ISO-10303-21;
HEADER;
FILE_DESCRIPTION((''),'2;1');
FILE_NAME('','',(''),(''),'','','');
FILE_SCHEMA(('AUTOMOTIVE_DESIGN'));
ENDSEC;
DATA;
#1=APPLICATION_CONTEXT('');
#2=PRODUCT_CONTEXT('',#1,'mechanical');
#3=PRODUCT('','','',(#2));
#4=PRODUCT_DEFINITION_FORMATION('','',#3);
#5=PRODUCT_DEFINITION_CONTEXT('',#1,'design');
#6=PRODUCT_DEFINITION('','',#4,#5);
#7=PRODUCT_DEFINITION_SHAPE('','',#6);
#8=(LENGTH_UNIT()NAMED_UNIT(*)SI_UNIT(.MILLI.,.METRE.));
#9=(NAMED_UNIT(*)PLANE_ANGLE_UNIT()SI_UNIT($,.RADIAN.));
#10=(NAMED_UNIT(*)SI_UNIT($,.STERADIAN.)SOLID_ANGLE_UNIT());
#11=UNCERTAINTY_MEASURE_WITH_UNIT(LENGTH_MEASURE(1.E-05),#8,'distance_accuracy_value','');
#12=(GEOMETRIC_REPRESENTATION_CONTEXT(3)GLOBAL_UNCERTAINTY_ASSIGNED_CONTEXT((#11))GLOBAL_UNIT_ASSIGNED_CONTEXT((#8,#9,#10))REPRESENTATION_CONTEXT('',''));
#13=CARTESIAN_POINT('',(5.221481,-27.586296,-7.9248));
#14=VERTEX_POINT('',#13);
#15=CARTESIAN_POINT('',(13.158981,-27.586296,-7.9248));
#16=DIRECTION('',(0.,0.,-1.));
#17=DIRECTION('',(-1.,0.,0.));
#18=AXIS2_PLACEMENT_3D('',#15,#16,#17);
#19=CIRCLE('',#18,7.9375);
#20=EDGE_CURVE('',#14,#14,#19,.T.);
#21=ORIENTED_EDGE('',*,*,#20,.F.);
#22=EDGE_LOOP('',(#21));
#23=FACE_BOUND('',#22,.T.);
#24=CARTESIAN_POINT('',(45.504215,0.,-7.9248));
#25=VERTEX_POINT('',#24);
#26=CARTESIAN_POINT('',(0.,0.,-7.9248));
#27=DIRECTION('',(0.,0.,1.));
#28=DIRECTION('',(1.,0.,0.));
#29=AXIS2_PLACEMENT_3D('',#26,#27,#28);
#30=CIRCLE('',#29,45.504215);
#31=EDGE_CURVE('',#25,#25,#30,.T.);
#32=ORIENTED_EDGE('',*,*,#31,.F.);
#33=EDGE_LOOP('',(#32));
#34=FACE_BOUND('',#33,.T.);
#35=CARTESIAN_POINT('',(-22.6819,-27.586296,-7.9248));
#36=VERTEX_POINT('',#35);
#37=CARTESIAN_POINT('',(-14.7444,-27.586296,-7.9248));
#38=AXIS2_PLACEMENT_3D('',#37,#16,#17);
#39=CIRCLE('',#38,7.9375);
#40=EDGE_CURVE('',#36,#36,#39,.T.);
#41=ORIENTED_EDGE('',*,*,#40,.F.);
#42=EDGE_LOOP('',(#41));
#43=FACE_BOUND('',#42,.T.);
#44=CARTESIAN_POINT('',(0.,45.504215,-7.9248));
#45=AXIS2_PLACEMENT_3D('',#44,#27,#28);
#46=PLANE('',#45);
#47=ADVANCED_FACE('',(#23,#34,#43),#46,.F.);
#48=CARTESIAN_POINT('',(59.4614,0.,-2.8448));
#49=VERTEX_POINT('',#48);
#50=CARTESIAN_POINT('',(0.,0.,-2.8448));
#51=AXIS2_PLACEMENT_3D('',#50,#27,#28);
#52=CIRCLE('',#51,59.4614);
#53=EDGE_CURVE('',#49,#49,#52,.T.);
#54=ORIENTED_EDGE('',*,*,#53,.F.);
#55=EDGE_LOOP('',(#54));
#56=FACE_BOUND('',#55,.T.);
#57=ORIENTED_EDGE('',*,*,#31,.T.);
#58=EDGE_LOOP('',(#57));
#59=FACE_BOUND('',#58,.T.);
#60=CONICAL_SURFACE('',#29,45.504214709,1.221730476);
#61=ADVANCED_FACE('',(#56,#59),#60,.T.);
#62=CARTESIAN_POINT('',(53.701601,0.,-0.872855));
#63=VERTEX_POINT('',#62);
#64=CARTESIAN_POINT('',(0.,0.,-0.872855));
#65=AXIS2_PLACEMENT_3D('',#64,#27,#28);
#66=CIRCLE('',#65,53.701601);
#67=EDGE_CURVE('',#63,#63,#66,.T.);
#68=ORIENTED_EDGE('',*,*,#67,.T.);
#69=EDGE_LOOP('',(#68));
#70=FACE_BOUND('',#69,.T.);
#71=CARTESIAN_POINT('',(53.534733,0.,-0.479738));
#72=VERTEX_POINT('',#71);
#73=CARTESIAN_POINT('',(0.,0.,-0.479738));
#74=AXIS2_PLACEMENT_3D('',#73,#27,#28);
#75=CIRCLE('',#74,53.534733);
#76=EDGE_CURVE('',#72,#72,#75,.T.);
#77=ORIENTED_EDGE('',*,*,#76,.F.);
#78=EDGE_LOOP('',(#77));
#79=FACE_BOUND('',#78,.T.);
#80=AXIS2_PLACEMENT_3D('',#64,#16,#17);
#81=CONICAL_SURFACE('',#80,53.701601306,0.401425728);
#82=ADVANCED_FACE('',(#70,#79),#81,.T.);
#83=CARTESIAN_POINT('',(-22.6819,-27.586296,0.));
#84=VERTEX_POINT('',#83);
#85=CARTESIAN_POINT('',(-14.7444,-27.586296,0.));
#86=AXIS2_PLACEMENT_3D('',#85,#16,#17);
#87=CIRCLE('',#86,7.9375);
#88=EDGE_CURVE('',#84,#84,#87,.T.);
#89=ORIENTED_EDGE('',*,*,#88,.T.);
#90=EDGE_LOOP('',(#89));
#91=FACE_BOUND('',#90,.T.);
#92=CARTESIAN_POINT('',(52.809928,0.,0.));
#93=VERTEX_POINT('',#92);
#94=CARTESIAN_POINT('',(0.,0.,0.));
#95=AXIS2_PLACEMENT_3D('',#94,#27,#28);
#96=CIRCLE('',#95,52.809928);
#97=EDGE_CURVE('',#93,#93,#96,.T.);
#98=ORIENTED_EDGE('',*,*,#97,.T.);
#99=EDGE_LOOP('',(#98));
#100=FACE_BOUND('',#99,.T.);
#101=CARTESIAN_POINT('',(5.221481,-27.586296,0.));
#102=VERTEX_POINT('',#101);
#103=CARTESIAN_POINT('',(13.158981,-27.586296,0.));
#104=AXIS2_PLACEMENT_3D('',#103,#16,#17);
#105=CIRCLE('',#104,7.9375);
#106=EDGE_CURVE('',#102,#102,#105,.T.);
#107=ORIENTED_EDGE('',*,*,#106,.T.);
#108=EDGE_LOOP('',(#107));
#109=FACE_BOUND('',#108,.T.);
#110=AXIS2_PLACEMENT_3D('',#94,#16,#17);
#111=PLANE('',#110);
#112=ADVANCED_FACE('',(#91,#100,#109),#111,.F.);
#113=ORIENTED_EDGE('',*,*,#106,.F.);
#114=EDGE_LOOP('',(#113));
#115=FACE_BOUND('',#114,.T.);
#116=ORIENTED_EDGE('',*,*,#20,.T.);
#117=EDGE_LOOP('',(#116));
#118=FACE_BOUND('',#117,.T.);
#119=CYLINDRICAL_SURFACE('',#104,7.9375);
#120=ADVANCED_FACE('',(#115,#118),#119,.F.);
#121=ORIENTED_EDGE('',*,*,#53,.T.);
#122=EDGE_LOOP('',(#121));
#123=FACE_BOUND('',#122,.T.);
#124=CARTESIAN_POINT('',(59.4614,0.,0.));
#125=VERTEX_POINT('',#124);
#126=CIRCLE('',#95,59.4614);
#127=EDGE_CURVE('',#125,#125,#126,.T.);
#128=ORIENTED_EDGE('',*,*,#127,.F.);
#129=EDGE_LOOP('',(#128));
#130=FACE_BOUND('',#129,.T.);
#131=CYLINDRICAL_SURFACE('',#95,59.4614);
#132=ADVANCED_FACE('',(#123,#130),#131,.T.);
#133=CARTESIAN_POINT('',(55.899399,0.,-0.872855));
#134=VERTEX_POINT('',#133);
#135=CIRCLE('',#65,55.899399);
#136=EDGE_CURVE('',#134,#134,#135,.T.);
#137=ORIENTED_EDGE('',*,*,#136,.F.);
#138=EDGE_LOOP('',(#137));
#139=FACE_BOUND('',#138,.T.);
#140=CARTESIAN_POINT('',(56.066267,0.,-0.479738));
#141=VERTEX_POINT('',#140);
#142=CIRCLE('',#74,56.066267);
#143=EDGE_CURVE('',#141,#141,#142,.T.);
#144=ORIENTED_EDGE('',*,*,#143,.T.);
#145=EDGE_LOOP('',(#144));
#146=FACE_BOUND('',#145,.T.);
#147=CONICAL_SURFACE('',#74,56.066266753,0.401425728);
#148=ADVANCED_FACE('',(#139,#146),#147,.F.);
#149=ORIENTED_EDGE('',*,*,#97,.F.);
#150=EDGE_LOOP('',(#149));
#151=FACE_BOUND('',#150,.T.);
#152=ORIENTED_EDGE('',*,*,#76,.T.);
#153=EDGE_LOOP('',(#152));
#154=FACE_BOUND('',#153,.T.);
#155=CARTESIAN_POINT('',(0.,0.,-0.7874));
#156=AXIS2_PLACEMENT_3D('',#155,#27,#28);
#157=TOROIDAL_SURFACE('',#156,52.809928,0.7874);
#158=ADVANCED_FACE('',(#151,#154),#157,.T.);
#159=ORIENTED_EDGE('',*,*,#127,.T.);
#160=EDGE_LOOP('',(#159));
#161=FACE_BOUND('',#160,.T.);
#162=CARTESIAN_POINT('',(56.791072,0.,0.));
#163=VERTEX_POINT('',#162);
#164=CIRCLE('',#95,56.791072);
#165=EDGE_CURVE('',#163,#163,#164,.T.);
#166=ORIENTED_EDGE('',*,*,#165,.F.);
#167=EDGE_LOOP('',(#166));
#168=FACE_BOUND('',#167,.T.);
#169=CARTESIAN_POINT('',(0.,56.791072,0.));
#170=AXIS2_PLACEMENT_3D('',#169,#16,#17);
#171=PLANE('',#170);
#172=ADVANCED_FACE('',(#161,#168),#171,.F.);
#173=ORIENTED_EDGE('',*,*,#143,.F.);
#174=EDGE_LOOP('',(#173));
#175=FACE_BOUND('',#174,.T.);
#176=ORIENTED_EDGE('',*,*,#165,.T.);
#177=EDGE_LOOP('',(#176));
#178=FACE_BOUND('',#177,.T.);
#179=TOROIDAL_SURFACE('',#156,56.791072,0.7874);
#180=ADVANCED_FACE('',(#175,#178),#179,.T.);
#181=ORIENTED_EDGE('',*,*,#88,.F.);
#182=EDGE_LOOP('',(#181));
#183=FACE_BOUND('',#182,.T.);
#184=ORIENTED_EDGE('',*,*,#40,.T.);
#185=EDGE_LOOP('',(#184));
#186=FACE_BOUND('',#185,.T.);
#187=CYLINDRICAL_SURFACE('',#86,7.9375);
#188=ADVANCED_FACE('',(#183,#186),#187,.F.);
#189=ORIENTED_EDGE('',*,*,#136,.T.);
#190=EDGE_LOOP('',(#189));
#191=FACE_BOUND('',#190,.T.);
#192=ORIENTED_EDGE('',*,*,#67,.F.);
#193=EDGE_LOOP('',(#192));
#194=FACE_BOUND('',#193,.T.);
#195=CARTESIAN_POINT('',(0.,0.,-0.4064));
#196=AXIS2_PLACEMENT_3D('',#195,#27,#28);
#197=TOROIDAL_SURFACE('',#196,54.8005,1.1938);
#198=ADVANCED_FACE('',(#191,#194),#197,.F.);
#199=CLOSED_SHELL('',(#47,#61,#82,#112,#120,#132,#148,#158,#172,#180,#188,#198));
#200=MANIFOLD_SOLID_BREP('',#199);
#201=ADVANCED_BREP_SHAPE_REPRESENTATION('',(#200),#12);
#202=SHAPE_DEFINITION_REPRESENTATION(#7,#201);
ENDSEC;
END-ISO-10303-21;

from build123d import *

# Parameters (mm, degrees)
SKETCH2_R          = 7.9375
CUT_EXTRUDE1_DEPTH = 85.463711951


with BuildPart() as part:
    # Sketch1 → Revolve1 (revolve)
    with BuildSketch(Plane(origin=(0, 0, 0), x_dir=(0, 0, -1), z_dir=(1, 0, 0)), mode=Mode.PRIVATE) as revolve1_sk:
        with BuildLine():
            Line((0, 0), (0, 52.809927725))
            ThreePointArc((0, 52.809927725), (0.130798304, 53.244522907), (0.479738309, 53.534733247))
            Line((0.479738309, 53.534733247), (0.872854821, 53.701601306))
            ThreePointArc((0.872854821, 53.701601306), (1.6002, 54.8005), (0.872854821, 55.899398694))
            Line((0.872854821, 55.899398694), (0.479738309, 56.066266753))
            ThreePointArc((0.479738309, 56.066266753), (0.130798304, 56.356477093), (0, 56.791072275))
            Line((0, 56.791072275), (0, 59.4614))
            Line((0, 59.4614), (2.8448, 59.4614))
            Line((2.8448, 59.4614), (7.9248, 45.504214709))
            Line((7.9248, 45.504214709), (7.9248, 0))
            Line((7.9248, 0), (0, 0))
        make_face()
    revolve(revolve1_sk.sketch.rotate(Axis((0, 0, 0), (0, 0, -1)), 90), axis=Axis((0, 0, 0), (0, 0, -1)))

    # Sketch2 → Cut-Extrude1 (cut, through all)
    with BuildSketch(Plane(origin=(0, 0, -7.9248), x_dir=(-1, 0, 0), z_dir=(0, 0, -1))):
        with Locations((-13.158980507, -27.586296484)):
            Circle(SKETCH2_R)
        with Locations((14.744399845, -27.586296484)):
            Circle(SKETCH2_R)
    extrude(amount=-CUT_EXTRUDE1_DEPTH, mode=Mode.SUBTRACT)


solid = part.part
